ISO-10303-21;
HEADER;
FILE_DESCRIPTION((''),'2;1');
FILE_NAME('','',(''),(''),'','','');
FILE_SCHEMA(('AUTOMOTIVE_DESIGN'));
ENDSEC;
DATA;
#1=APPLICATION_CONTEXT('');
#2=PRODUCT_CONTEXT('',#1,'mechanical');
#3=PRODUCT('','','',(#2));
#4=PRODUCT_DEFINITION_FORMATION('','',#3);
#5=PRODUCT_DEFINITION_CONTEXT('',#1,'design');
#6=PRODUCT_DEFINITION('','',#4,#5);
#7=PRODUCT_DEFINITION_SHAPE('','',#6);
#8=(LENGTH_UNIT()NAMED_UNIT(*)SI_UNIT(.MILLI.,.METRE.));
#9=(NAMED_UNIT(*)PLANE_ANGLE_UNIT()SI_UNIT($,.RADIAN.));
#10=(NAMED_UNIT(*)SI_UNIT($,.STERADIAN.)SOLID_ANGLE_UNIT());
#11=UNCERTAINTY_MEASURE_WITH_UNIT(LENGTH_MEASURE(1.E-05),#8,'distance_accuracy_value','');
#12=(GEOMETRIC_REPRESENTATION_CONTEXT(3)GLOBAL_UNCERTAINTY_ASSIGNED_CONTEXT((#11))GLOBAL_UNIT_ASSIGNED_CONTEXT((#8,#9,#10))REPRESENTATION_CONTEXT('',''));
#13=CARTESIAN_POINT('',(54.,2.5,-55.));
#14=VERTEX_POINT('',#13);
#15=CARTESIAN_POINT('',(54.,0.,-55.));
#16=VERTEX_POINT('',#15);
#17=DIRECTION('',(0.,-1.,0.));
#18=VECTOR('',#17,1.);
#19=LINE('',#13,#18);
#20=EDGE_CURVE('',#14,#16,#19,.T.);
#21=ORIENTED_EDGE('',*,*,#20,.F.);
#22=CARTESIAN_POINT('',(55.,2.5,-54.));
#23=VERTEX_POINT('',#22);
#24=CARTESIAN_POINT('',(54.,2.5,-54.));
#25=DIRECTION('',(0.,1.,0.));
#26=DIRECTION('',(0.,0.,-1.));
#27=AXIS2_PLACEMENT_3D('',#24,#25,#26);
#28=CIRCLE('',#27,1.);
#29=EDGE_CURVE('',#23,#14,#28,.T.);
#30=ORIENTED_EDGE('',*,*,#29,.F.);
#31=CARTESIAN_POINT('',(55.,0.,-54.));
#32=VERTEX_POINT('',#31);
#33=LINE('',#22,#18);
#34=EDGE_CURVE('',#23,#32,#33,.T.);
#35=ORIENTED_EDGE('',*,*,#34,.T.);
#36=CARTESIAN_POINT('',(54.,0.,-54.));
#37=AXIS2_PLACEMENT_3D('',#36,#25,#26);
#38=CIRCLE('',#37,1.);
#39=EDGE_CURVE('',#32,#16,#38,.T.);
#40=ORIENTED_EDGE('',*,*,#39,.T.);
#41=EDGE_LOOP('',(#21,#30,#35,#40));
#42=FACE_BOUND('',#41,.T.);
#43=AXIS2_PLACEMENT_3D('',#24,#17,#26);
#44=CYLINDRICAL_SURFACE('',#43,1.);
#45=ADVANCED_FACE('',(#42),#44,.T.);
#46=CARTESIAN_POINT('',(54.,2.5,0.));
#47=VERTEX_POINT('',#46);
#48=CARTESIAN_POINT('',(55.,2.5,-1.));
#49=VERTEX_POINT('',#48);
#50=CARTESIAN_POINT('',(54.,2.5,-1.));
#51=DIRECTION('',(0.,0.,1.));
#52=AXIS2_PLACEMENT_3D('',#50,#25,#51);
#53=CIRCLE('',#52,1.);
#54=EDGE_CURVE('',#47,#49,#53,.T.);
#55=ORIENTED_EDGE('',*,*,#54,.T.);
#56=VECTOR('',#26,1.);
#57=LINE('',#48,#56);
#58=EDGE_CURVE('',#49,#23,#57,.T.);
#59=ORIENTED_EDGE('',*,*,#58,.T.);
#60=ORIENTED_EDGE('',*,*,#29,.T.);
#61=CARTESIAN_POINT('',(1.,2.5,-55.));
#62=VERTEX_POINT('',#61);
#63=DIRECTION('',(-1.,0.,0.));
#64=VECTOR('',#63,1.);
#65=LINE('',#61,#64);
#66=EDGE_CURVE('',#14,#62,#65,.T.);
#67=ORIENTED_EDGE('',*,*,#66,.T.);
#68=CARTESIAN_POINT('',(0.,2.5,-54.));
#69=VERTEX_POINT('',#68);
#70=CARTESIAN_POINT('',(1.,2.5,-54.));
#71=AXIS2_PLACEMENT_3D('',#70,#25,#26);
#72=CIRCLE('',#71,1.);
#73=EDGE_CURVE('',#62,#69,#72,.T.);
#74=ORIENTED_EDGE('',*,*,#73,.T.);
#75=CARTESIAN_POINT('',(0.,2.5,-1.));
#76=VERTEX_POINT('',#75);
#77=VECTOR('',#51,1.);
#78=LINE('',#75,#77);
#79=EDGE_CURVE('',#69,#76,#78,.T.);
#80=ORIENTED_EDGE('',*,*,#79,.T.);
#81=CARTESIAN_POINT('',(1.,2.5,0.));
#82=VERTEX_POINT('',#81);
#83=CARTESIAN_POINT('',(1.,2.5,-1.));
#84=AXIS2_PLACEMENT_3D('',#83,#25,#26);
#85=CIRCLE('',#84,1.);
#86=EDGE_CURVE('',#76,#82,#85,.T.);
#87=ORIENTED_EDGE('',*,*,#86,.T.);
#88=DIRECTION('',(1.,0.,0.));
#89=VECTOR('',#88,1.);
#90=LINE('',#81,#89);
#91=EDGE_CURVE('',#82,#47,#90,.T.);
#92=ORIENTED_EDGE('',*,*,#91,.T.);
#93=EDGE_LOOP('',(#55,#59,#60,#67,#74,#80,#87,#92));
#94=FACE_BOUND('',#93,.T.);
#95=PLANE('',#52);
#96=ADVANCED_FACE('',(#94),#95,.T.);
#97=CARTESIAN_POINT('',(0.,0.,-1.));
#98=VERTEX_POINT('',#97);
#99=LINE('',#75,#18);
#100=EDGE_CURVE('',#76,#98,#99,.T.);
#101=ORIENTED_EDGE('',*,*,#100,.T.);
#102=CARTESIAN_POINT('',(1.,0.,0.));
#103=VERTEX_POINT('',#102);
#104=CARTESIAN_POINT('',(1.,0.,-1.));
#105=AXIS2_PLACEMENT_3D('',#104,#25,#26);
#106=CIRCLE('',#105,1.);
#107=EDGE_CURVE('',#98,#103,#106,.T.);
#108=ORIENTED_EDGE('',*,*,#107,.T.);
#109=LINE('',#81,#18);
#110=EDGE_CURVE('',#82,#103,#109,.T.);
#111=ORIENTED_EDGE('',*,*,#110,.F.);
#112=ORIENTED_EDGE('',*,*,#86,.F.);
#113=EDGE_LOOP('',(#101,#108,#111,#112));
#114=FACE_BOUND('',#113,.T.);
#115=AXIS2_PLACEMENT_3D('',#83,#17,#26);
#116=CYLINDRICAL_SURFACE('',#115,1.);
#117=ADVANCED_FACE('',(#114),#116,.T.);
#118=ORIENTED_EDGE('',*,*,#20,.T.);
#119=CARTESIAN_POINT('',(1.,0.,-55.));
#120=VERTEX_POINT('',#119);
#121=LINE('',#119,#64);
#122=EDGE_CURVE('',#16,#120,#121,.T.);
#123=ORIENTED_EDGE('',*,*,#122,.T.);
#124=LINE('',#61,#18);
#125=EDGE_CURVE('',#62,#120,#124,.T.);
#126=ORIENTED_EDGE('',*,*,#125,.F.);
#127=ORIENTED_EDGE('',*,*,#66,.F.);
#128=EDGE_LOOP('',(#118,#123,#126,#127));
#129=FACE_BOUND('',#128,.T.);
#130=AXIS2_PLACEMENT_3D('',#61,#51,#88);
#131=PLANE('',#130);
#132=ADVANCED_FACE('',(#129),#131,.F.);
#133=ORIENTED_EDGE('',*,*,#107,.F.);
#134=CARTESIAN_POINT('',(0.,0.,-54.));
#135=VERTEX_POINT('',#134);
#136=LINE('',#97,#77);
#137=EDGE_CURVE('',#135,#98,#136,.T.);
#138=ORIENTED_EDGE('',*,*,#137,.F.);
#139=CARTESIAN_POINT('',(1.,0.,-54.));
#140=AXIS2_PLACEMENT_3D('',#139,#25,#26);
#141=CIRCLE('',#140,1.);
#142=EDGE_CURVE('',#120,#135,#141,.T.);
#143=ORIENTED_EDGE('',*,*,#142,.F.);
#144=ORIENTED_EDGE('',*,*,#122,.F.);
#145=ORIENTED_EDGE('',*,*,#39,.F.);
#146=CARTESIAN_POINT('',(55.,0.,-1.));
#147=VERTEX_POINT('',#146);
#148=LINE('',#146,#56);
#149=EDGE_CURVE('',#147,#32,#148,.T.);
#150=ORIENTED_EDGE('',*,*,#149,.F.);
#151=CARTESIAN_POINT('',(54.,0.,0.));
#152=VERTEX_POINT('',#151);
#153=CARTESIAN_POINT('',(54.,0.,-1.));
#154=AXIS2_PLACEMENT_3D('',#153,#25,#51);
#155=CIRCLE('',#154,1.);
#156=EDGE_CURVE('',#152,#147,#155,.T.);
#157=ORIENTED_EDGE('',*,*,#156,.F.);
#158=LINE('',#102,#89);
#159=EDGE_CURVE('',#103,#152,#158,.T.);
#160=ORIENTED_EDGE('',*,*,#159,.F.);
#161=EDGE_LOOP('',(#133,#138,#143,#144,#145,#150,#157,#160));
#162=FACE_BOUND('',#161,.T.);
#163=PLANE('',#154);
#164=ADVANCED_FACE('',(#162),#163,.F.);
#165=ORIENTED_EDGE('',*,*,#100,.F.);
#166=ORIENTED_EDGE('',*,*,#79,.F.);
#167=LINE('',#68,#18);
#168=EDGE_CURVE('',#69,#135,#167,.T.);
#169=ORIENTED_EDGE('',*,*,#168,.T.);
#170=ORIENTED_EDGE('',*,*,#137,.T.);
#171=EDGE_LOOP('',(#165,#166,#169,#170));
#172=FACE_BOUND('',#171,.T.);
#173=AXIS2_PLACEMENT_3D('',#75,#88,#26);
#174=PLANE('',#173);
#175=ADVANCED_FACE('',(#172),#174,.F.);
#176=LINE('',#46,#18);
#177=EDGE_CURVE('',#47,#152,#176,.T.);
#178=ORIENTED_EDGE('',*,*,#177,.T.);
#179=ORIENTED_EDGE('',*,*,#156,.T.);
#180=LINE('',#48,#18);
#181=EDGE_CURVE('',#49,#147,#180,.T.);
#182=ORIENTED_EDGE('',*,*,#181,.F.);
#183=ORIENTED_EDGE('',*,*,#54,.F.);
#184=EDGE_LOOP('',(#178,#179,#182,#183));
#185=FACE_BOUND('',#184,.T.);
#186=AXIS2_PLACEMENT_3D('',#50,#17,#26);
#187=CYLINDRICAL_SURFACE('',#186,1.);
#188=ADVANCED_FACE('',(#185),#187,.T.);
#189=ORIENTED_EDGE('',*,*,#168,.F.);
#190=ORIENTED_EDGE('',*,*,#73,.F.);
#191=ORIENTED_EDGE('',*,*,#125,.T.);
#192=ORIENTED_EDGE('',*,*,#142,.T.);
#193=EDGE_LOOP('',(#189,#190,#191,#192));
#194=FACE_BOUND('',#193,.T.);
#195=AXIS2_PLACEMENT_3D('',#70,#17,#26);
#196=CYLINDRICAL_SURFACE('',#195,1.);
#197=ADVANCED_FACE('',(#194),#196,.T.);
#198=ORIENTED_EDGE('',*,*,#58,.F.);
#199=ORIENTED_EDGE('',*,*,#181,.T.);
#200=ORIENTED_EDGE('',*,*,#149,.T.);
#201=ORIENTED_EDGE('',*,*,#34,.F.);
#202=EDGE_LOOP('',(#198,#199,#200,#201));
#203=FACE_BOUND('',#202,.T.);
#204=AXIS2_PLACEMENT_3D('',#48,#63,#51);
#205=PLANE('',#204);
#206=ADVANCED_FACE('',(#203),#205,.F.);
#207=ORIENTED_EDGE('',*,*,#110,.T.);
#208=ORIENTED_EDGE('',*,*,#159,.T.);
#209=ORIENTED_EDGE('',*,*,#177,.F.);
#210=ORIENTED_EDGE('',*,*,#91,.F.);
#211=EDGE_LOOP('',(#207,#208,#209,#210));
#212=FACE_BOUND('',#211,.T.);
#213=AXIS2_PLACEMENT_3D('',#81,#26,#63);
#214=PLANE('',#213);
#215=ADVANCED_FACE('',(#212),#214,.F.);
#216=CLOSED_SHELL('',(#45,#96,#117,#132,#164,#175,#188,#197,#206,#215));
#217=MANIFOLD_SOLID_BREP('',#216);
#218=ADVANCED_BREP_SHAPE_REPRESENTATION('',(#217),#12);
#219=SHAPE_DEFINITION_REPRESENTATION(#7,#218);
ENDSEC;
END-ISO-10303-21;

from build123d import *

# Parameters (mm, degrees)
EXTRUDE_1_DEPTH = 2.5


with BuildPart() as part:
    # 草图1 → 凸台-拉伸1 (new body)
    with BuildSketch(Plane(origin=(0, 0, 0), x_dir=(1, 0, 0), z_dir=(0, 1, 0))):
        with BuildLine():
            Line((1, 0), (54, 0))
            ThreePointArc((54, 0), (54.707106781, 0.292893219), (55, 1))
            Line((55, 1), (55, 54))
            ThreePointArc((55, 54), (54.707106781, 54.707106781), (54, 55))
            Line((54, 55), (1, 55))
            ThreePointArc((1, 55), (0.292893219, 54.707106781), (0, 54))
            Line((0, 54), (0, 1))
            ThreePointArc((0, 1), (0.292893219, 0.292893219), (1, 0))
        make_face()
    extrude(amount=EXTRUDE_1_DEPTH)


solid = part.part
